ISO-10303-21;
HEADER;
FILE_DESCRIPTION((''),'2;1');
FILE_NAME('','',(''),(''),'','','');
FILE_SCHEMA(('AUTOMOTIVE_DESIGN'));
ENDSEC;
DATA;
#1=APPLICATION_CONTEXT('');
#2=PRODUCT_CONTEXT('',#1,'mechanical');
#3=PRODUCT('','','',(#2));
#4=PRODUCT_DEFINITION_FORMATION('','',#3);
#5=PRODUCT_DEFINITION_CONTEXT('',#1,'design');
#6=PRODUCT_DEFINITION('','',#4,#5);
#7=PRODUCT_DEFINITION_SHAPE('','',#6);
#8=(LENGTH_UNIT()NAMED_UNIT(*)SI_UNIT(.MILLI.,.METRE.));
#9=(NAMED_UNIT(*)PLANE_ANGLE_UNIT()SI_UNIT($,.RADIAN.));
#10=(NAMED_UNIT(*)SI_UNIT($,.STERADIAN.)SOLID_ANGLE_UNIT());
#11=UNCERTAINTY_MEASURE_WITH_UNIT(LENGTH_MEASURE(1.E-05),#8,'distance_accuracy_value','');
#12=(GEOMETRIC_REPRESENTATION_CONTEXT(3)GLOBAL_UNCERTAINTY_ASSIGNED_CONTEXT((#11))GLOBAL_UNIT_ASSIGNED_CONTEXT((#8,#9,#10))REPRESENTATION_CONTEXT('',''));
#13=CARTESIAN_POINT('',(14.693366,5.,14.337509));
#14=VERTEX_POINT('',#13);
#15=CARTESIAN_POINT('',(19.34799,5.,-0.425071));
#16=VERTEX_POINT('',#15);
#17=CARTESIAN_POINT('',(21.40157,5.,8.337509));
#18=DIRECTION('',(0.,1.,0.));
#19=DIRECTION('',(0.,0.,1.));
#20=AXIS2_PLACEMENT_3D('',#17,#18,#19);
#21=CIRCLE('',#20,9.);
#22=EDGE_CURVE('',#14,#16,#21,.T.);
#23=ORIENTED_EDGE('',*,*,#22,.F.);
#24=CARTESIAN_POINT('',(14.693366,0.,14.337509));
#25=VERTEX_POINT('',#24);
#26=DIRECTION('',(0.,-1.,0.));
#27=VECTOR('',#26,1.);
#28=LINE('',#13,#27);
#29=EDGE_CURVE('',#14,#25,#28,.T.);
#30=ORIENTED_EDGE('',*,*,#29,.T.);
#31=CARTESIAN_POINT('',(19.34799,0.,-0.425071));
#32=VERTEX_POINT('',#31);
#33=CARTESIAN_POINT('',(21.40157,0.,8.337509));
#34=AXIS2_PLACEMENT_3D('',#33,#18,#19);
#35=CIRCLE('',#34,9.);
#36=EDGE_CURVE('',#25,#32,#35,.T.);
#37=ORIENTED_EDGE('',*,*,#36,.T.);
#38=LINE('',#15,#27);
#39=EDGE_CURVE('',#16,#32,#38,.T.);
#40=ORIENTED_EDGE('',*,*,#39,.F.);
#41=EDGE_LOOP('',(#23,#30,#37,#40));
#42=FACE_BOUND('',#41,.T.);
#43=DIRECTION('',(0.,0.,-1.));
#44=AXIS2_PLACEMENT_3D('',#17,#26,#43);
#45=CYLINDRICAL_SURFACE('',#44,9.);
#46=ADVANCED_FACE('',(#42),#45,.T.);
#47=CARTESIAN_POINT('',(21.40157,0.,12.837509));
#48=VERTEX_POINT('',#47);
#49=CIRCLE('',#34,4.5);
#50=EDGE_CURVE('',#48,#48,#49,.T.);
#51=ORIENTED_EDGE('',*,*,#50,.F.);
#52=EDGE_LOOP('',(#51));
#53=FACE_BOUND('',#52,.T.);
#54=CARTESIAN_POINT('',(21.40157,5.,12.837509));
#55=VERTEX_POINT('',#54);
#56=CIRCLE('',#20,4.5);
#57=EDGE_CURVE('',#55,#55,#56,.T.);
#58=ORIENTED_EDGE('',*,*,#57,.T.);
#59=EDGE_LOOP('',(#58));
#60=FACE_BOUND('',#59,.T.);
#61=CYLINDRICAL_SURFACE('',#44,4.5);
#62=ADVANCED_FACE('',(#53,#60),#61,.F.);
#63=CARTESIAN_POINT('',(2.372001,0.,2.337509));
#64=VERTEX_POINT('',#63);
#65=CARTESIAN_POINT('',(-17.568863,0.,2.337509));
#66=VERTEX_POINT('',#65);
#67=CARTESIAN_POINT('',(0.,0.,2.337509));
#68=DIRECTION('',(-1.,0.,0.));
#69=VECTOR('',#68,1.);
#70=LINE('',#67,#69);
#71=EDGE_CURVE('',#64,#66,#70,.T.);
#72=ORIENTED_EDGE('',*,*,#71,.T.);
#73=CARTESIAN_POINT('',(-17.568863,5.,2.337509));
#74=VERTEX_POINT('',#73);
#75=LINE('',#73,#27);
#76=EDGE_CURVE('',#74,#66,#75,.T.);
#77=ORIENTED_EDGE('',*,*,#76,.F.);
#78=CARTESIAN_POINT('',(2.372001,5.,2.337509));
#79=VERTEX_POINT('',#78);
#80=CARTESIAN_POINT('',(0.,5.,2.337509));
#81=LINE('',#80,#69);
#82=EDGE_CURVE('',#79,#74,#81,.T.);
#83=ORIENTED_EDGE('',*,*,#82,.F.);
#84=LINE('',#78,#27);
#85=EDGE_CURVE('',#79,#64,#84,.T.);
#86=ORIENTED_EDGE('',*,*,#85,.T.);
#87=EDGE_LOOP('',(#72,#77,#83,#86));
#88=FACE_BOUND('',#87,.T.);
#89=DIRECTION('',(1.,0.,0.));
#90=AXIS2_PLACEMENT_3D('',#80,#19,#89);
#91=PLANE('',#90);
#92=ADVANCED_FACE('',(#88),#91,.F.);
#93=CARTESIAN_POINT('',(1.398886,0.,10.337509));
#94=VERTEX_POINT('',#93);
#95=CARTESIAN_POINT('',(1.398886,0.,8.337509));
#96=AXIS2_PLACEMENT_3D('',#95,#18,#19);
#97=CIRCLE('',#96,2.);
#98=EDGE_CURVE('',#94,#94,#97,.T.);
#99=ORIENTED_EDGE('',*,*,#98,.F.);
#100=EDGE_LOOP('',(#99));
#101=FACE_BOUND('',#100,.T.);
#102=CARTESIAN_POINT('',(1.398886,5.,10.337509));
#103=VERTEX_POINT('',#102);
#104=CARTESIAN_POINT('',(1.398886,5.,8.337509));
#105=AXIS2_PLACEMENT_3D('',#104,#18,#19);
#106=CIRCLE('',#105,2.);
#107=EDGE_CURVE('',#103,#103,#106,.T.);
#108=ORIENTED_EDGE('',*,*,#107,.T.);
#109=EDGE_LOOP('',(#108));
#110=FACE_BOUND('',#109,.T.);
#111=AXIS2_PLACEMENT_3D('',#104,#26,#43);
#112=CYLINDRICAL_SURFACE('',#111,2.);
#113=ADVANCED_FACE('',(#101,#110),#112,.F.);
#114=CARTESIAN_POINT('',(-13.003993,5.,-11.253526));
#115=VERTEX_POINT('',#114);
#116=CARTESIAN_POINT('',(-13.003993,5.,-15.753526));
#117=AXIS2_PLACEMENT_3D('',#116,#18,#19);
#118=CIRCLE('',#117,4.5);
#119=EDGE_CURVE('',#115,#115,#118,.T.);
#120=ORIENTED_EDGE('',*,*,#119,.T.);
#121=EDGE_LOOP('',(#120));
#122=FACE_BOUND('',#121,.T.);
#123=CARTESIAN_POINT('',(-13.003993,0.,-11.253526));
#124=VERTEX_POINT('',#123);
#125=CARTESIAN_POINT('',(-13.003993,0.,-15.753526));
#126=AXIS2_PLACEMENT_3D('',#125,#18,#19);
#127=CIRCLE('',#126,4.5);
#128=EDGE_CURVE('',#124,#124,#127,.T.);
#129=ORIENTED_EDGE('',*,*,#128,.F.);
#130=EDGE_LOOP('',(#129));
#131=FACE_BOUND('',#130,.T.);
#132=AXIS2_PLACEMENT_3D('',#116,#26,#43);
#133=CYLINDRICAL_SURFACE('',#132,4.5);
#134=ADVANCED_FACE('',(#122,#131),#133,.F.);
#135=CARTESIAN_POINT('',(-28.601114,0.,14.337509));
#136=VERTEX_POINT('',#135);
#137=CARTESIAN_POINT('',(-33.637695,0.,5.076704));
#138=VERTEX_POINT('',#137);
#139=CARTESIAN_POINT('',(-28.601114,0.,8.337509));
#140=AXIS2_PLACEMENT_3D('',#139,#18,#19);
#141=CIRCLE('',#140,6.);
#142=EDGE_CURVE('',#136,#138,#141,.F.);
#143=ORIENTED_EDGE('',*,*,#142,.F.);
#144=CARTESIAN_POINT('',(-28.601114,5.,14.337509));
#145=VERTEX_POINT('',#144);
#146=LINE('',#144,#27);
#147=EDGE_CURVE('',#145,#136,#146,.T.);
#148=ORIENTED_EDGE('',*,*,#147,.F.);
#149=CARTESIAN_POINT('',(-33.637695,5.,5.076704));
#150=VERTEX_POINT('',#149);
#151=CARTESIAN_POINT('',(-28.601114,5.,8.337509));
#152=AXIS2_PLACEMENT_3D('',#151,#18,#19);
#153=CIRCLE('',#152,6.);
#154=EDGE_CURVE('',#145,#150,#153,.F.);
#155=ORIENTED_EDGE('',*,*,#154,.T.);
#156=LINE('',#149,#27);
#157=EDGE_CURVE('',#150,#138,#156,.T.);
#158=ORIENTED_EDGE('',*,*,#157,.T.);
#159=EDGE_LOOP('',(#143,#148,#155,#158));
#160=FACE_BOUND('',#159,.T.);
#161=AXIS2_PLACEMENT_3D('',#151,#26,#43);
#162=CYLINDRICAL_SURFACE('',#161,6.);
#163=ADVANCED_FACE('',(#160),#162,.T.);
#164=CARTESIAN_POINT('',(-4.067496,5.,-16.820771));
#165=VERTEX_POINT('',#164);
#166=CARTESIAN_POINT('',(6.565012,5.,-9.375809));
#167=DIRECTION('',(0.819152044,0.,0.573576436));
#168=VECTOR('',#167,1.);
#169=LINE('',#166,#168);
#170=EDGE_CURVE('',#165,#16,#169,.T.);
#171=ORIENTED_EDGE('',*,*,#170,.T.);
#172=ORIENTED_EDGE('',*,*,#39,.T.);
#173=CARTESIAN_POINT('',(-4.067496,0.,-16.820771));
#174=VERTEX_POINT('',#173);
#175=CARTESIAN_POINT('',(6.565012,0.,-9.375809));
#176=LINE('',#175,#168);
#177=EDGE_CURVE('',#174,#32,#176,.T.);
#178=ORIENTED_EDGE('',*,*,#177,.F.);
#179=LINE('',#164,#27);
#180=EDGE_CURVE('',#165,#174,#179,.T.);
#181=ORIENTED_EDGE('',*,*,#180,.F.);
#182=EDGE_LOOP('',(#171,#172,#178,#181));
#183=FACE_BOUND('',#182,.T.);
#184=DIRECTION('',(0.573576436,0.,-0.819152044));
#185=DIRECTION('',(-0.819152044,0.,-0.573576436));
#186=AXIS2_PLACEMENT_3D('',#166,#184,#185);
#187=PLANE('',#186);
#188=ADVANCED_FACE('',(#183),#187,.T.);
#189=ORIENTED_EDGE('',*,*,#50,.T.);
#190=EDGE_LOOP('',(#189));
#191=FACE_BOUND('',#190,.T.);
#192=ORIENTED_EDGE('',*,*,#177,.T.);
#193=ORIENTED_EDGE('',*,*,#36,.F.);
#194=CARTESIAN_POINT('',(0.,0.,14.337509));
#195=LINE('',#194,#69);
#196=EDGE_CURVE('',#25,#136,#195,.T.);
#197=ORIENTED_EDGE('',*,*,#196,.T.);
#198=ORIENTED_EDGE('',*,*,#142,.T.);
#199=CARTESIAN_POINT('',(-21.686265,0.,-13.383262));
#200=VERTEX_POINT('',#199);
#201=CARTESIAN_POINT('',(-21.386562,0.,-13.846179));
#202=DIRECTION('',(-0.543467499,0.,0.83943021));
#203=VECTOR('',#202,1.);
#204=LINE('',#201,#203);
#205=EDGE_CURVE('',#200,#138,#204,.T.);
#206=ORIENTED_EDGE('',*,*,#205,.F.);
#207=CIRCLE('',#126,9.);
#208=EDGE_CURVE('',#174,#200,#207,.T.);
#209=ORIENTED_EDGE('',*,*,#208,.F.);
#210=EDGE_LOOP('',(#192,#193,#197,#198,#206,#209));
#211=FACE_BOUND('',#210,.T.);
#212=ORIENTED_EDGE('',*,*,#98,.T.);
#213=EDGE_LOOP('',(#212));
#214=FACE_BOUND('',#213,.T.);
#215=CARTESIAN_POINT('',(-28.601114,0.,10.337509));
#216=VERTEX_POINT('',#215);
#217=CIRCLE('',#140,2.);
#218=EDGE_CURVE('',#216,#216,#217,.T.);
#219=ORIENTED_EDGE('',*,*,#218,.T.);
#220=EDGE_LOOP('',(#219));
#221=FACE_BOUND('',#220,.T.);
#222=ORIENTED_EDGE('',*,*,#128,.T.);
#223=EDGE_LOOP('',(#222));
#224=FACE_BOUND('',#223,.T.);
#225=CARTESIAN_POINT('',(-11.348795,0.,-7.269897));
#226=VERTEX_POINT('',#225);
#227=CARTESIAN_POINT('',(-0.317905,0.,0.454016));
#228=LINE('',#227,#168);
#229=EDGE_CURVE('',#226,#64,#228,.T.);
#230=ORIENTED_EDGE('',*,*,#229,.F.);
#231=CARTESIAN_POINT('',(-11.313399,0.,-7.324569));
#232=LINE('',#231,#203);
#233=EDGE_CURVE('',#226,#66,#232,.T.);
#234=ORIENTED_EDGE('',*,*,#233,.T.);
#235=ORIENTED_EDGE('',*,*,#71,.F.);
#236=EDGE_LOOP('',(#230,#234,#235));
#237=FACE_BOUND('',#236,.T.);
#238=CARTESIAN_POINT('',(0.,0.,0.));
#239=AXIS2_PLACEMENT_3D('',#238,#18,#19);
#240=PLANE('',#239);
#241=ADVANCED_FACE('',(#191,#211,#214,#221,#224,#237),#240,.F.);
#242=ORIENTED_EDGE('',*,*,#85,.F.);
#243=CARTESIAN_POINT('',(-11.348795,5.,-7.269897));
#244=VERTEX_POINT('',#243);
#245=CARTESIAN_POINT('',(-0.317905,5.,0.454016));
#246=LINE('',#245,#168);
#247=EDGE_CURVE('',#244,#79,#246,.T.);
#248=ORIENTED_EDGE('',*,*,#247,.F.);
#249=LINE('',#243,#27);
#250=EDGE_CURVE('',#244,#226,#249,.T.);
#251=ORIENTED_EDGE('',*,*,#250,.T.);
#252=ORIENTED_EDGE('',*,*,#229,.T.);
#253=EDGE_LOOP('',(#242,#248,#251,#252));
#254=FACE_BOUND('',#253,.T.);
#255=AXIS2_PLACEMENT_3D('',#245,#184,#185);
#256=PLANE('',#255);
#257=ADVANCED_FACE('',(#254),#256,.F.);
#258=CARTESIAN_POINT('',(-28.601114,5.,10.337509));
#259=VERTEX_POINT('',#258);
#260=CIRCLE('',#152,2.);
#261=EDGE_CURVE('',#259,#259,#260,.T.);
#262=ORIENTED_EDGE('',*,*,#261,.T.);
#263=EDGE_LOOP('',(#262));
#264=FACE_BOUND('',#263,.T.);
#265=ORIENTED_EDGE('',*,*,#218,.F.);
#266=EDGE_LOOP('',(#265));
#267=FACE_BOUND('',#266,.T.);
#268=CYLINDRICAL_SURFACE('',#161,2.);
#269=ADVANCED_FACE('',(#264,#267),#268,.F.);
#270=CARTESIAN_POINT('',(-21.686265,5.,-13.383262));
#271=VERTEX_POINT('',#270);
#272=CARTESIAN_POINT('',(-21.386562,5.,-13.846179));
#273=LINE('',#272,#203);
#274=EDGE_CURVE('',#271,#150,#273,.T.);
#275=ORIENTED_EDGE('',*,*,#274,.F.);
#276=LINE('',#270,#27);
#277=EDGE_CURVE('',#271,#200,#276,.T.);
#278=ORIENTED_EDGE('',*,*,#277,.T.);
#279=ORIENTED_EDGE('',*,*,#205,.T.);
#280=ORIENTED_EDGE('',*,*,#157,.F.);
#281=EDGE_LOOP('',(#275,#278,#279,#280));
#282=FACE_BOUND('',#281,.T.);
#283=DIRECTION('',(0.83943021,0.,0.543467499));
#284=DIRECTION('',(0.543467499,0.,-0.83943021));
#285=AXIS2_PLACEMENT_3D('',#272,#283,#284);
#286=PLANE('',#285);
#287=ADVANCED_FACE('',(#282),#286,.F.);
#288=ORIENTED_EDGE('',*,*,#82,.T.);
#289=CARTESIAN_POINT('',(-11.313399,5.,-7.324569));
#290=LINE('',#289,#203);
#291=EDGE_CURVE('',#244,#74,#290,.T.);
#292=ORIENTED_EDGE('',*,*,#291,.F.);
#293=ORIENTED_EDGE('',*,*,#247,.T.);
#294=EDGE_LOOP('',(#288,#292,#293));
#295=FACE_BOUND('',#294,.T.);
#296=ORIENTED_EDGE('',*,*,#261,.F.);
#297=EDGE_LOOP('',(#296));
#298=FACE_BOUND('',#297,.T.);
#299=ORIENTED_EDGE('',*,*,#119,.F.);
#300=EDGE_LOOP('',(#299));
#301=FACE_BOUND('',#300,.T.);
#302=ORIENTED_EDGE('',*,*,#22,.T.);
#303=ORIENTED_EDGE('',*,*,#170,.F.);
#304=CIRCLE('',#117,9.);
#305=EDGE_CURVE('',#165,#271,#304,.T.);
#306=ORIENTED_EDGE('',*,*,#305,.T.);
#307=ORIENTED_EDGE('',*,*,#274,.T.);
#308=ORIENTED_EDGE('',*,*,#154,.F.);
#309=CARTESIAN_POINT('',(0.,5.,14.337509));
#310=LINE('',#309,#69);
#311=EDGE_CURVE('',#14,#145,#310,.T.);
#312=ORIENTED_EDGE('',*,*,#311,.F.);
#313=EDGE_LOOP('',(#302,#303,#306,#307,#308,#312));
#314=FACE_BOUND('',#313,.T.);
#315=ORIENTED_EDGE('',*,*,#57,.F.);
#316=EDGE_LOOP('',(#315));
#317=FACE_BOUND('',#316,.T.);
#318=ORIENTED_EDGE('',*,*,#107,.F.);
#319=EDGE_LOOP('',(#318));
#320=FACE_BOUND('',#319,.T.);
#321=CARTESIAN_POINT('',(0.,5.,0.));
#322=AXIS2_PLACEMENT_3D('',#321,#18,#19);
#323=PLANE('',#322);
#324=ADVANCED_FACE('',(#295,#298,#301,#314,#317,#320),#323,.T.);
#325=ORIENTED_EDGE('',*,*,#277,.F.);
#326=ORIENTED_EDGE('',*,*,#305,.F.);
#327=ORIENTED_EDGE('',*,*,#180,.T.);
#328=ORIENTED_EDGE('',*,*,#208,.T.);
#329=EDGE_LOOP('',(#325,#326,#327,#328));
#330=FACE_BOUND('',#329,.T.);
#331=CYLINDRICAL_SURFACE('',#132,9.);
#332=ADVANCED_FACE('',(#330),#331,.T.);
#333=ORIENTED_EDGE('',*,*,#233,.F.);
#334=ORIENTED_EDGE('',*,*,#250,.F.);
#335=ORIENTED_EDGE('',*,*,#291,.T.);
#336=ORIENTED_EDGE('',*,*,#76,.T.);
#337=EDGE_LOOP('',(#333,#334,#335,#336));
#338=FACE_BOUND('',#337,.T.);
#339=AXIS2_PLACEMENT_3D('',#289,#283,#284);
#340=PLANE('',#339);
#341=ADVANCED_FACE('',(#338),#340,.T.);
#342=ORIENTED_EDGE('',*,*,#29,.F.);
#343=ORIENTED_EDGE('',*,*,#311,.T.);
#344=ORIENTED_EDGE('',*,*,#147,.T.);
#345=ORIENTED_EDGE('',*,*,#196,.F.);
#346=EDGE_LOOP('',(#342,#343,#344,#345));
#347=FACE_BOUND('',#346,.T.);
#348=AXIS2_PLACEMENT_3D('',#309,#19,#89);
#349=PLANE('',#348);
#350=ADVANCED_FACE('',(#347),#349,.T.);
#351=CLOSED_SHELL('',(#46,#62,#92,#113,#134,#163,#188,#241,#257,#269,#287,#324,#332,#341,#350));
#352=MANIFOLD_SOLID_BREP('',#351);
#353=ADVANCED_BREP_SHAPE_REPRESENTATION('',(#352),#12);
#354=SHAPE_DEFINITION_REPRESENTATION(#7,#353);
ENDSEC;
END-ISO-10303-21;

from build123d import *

# Parameters (mm, degrees)
SKETCH_1_R      = 2
SKETCH_1_R_2    = 4.5
EXTRUDE_1_DEPTH = 5


with BuildPart() as part:
    # 草图1 → 凸台-拉伸1 (new body)
    with BuildSketch(Plane(origin=(0, 0, 0), x_dir=(1, 0, 0), z_dir=(0, 1, 0))):
        with BuildLine():
            Line((-4.067495668, 16.82077086), (19.347989798, 0.425071426))
            ThreePointArc((19.347989798, 0.425071426), (29.985022701, -11.043860741), (14.693366212, -14.337508546))
            Line((14.693366212, -14.337508546), (-28.601114149, -14.337508546))
            ThreePointArc((-28.601114149, -14.337508546), (-33.872016823, -11.20414159), (-33.637695408, -5.076703549))
            Line((-33.637695408, -5.076703549), (-21.686265326, 13.383262263))
            ThreePointArc((-21.686265326, 13.383262263), (-14.727441536, 24.58696991), (-4.067495668, 16.82077086))
        make_face()
        with Locations(Location((1.398885851, -8.337508546, 0), (0, 0, 270))):
            Circle(SKETCH_1_R, mode=Mode.SUBTRACT)
        with Locations(Location((21.401570144, -8.337508546, 0), (0, 0, 270))):
            Circle(SKETCH_1_R_2, mode=Mode.SUBTRACT)
        with Locations(Location((-28.601114149, -8.337508546, 0), (0, 0, 270))):
            Circle(SKETCH_1_R, mode=Mode.SUBTRACT)
        with Locations(Location((-13.003993251, 15.7535263, 0), (0, 0, 270))):
            Circle(SKETCH_1_R_2, mode=Mode.SUBTRACT)
        Polygon((-11.348795412, 7.269896763), (2.37200133, -2.337508546), (-17.56886288, -2.337508546), align=None, mode=Mode.SUBTRACT)
    extrude(amount=EXTRUDE_1_DEPTH)


solid = part.part
